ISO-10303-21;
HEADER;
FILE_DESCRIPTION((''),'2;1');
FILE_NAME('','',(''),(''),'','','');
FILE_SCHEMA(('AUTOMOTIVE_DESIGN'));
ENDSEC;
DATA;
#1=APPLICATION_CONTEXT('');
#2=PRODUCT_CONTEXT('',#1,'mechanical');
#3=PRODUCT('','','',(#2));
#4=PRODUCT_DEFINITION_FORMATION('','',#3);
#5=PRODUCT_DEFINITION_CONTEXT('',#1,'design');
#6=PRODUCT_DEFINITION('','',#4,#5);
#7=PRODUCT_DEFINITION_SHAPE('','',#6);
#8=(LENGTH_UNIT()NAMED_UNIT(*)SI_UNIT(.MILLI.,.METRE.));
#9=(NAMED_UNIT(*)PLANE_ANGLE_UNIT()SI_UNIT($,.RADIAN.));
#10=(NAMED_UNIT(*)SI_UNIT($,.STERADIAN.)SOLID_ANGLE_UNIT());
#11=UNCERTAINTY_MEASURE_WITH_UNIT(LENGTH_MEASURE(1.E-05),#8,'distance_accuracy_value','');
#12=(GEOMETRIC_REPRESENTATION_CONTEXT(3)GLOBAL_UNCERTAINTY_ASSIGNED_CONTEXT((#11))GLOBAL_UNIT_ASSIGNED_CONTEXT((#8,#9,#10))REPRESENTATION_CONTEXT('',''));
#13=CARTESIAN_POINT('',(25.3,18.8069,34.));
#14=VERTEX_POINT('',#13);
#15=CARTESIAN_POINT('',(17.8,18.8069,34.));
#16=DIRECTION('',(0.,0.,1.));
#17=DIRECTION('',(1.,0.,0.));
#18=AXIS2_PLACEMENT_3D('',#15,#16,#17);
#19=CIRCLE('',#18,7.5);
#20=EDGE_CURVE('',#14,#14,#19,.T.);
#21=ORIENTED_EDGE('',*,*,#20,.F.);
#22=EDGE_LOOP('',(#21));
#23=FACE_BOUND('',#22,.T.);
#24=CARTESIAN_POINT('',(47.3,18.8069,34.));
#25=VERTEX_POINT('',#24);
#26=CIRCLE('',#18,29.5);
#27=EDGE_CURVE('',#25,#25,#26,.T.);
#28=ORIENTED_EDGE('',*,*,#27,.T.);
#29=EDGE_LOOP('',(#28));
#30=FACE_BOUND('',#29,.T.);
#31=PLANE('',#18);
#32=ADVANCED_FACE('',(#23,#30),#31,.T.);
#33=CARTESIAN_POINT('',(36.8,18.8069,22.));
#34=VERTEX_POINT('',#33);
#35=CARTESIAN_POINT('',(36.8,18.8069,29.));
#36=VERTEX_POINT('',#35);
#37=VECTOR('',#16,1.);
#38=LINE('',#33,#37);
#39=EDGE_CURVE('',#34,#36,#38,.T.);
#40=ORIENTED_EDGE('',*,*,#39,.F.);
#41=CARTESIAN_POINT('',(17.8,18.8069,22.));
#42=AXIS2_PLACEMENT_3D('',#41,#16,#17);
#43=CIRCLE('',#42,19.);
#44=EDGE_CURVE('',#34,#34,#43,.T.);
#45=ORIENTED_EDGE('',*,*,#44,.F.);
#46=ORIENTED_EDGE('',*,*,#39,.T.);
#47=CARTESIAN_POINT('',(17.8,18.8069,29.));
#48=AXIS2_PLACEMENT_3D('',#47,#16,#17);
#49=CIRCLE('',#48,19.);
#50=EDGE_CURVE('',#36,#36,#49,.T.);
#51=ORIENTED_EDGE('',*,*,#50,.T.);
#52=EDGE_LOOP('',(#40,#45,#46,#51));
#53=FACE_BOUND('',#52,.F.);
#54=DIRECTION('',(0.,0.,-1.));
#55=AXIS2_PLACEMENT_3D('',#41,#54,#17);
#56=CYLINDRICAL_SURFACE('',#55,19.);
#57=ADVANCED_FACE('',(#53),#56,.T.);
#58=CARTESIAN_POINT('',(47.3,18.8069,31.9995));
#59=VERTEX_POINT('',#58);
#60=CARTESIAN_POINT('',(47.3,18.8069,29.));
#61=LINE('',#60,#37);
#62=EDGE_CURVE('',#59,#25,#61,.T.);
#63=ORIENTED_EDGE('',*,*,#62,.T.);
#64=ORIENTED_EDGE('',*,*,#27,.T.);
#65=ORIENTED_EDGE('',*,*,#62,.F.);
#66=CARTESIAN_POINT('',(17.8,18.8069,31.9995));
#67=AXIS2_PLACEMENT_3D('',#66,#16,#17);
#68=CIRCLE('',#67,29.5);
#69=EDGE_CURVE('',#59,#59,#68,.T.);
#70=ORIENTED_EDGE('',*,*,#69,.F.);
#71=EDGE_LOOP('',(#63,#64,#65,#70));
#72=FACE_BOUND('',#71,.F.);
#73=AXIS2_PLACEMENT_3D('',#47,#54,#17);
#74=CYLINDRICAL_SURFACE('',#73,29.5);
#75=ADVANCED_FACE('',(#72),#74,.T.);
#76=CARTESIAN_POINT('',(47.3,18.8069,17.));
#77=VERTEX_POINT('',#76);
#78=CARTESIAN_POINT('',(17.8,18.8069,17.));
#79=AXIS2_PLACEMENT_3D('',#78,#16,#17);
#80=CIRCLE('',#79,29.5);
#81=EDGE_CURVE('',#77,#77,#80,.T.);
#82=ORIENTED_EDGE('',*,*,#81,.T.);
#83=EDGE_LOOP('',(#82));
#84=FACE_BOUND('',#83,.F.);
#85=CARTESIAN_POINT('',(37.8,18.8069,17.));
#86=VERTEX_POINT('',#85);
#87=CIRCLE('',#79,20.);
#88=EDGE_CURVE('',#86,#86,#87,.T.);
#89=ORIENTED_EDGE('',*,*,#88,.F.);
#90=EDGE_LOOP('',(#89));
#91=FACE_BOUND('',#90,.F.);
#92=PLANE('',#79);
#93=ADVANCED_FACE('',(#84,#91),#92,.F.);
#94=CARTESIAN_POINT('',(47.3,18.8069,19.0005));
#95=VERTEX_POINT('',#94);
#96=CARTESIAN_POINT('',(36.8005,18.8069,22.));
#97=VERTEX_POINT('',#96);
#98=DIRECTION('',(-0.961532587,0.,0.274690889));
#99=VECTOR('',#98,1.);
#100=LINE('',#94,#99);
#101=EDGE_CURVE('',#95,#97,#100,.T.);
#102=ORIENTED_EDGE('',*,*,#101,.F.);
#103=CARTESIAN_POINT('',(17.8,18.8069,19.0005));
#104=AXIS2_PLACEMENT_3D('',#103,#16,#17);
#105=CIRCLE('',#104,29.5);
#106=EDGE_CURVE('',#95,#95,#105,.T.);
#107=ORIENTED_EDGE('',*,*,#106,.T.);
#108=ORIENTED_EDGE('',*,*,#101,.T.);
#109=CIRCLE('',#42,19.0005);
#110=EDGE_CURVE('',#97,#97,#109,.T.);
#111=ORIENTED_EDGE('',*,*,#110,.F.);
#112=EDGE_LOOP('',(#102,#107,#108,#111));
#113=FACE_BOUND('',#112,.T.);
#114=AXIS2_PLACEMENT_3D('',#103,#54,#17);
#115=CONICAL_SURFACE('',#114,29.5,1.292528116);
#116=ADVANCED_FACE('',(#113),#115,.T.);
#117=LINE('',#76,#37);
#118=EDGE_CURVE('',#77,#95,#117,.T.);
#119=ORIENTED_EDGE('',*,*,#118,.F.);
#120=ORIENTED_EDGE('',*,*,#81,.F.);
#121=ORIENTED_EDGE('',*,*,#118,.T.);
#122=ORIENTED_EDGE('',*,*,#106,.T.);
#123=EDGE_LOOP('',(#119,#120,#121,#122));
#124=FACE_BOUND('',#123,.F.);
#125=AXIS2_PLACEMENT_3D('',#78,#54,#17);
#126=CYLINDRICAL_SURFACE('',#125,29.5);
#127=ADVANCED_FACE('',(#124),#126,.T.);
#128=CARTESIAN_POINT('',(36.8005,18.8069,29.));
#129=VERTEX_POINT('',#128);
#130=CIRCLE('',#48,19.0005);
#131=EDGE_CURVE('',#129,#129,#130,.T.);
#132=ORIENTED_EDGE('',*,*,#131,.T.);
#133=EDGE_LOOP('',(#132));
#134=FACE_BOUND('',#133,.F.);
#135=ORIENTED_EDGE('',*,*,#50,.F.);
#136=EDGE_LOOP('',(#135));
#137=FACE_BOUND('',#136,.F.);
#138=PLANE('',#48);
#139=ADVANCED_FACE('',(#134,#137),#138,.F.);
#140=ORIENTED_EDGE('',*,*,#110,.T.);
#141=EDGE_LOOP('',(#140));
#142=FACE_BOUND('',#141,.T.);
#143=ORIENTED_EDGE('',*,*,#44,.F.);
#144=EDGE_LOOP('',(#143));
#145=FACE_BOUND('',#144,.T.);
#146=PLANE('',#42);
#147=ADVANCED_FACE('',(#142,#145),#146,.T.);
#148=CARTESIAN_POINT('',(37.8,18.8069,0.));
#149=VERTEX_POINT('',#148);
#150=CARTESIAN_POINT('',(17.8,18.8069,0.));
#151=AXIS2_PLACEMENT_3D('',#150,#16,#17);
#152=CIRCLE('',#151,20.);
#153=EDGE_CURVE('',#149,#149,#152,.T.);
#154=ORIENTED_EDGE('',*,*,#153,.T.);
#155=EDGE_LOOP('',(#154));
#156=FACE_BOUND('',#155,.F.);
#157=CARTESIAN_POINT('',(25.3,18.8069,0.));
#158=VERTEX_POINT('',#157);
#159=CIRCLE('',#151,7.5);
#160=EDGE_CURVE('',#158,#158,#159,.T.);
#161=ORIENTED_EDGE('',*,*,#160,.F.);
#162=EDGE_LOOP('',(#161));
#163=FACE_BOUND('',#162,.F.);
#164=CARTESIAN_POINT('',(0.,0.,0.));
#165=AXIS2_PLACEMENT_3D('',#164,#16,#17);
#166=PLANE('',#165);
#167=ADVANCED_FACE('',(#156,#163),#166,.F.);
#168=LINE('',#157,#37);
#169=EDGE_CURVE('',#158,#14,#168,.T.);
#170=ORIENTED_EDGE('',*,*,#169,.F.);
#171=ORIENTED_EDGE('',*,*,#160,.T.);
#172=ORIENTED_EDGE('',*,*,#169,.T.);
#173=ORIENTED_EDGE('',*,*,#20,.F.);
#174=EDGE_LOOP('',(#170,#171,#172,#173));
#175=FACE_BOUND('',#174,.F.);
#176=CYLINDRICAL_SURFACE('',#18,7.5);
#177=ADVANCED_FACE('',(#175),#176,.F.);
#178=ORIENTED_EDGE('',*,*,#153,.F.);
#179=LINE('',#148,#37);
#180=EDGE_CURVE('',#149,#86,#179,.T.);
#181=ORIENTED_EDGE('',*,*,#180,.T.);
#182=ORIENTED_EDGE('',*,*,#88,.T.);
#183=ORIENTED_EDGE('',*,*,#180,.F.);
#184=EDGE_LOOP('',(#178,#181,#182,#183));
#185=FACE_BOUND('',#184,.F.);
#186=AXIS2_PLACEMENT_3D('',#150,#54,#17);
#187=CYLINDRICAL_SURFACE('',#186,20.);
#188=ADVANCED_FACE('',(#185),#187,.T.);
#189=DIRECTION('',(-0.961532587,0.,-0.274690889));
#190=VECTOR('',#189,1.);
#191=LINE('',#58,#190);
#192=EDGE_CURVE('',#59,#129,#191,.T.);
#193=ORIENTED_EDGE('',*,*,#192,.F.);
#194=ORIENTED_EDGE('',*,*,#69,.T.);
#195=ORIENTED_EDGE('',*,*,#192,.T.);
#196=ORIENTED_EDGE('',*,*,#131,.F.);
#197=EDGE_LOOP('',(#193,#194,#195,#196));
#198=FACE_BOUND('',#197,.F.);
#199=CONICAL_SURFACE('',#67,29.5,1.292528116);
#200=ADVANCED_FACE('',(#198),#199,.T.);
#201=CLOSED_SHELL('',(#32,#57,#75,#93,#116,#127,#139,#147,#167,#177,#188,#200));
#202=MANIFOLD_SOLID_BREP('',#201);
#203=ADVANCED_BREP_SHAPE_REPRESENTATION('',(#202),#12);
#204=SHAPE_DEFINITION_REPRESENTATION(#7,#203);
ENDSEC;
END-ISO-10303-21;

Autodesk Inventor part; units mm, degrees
ref_plane "YZ Plane" through (0, 0, 0) normal (1, 0, 0) x (0, 1, 0)
ref_plane "XZ Plane" through (0, 0, 0) normal (0, 1, 0) x (-1, 0, 0)
ref_plane "XY Plane" through (0, 0, 0) normal (0, 0, 1) x (1, 0, 0)
sketch "Sketch1" plane through (0, 0, 0) normal (0, 0, 1) x (1, 0, 0)
  circle A0 centre (17.8, 18.8069) radius 20
  circle A1 centre (17.8, 18.8069) radius 7.5
  point P0 (0, 0)
  dimension "d0" = 40
  dimension "d1" = 15
extrude "Extrusion1" add sketch "Sketch1" along normal blind 17
sketch "Sketch2" plane through (17.8, 18.8069, 0) normal (0, 0, -1) x (-1, 0, 0)
  point P0 (17.8, -18.8069)
sketch "Sketch3" plane through (17.8, 18.8069, 17) normal (0, 0, 1) x (1, 0, 0)
  circle A0 centre (0, 0) radius 29.5
  point P0 (-17.8, -18.8069)
  dimension "d4" = 59
extrude "Extrusion2" add sketch "Sketch3" along normal blind 5
sketch "Sketch4" plane through (17.8, 18.8069, 17) normal (0, 0, -1) x (-1, 0, 0)
  circle A0 centre (0, 0) radius 8.6163
  point P0 (17.8, -18.8069)
sketch "Sketch5" plane through (17.8, 18.8069, 22) normal (0, 0, 1) x (1, 0, 0)
  circle A0 centre (0, 0) radius 7.5
  point P0 (-17.8, -18.8069)
extrude "Extrusion3" cut sketch "Sketch5" against normal blind 57.5
sketch "Sketch6" plane through (17.8, 18.8069, 17) normal (0, 0, -1) x (-1, 0, 0)
  point P0 (17.8, -18.8069)
sketch "Sketch7" plane through (17.8, 18.8069, 22) normal (0, 0, 1) x (1, 0, 0)
  point P0 (-17.8, -18.8069)
sketch "Sketch8" plane through (17.8, 18.8069, 22) normal (0, 0, 1) x (1, 0, 0)
  circle A0 centre (0, 0) radius 19
  point P0 (-17.8, -18.8069)
  dimension "d9" = 38
extrude "Extrusion4" add sketch "Sketch8" along normal blind 7
sketch "Sketch9" plane through (17.8, 18.8069, 29) normal (0, 0, 1) x (1, 0, 0)
  circle A0 centre (0, 0) radius 29.5
  point P0 (-17.8, -18.8069)
extrude "Extrusion5" add sketch "Sketch9" along normal blind 5
sketch "Sketch10" plane through (17.8, 18.8069, 22) normal (0, 0, -1) x (-1, 0, 0)
  circle A0 centre (0, 0) radius 7.5 projected
  circle A1 centre (0, 0) radius 7.5
  point P0 (17.8, -18.8069)
sketch "Sketch11" plane through (17.8, 18.8069, 34) normal (0, 0, 1) x (1, 0, 0)
  circle A0 centre (0, 0) radius 7.5
  point P0 (-17.8, -18.8069)
extrude "Extrusion6" cut sketch "Sketch11" against normal blind 76.5
chamfer "Chamfer1" distance 3 distance2 10.5 1 edges at (-11.7, 18.8069, 29) measured on face at (47.2043, 16.4331, 32.3333)
chamfer "Chamfer2" distance 3 distance2 10.5 1 edges at (-11.7, 18.8069, 22) measured on face at (47.2043, 16.4331, 20.3333)
properties part number "Polia"
